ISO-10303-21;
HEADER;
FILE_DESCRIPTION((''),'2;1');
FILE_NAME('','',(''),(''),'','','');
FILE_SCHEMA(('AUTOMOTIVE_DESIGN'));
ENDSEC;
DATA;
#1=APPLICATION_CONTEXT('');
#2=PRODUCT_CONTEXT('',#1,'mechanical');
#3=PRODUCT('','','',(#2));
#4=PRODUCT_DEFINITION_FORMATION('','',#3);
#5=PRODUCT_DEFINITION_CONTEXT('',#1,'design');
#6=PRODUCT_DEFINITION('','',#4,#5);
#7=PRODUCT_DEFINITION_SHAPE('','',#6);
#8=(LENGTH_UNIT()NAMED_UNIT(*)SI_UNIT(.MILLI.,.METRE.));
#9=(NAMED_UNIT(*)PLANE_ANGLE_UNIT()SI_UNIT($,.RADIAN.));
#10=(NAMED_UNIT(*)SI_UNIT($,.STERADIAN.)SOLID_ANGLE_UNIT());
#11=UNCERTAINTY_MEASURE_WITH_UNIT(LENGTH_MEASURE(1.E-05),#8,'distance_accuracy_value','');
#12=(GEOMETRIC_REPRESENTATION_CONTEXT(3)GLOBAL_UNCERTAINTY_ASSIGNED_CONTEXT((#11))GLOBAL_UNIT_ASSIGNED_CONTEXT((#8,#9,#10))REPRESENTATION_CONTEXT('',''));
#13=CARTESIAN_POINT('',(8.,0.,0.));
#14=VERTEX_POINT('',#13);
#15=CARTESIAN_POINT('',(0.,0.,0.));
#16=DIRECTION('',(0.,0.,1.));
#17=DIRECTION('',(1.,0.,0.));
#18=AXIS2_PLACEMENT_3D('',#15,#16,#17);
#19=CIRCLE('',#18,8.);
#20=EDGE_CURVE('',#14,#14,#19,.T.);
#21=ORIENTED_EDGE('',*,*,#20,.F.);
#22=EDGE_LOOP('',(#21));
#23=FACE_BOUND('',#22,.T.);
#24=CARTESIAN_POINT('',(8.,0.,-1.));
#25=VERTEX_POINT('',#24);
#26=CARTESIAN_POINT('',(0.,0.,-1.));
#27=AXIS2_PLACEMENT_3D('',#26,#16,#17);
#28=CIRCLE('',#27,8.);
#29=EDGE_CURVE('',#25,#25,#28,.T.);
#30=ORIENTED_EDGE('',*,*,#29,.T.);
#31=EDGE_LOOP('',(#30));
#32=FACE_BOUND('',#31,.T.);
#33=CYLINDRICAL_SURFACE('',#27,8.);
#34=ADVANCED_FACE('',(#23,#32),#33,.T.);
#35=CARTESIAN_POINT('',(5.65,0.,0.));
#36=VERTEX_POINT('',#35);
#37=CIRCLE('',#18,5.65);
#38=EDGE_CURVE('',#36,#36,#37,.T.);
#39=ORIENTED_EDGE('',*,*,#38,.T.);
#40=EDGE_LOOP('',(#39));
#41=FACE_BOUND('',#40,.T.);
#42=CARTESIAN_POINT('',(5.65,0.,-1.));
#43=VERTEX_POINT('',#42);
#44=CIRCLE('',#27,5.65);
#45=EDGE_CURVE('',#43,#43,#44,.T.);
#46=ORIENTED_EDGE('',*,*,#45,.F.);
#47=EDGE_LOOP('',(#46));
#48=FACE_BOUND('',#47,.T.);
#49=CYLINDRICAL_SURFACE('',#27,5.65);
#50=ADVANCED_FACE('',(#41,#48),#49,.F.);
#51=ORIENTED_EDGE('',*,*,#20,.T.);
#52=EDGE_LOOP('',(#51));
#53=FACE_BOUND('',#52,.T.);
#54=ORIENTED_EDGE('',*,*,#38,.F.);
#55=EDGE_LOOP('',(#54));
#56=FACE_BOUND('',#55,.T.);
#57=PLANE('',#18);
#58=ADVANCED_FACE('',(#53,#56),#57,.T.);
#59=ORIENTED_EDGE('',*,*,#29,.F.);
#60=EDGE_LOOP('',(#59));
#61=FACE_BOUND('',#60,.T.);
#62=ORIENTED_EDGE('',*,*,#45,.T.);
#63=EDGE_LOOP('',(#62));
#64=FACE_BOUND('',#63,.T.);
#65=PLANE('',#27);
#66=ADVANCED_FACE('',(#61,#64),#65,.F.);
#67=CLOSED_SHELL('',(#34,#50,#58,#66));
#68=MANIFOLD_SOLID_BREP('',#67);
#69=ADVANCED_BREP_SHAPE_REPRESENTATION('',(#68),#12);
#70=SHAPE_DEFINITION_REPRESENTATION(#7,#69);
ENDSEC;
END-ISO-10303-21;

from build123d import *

# Parameters (mm, degrees)
SKETCH1_R          = 8
SKETCH1_R_2        = 5.65
BASE_EXTRUDE_DEPTH = 1


with BuildPart() as part:
    # Sketch1 → Base-Extrude (new body)
    with BuildSketch(Plane.XY):
        Circle(SKETCH1_R)
        Circle(SKETCH1_R_2, mode=Mode.SUBTRACT)
    extrude(amount=-BASE_EXTRUDE_DEPTH)


solid = part.part
